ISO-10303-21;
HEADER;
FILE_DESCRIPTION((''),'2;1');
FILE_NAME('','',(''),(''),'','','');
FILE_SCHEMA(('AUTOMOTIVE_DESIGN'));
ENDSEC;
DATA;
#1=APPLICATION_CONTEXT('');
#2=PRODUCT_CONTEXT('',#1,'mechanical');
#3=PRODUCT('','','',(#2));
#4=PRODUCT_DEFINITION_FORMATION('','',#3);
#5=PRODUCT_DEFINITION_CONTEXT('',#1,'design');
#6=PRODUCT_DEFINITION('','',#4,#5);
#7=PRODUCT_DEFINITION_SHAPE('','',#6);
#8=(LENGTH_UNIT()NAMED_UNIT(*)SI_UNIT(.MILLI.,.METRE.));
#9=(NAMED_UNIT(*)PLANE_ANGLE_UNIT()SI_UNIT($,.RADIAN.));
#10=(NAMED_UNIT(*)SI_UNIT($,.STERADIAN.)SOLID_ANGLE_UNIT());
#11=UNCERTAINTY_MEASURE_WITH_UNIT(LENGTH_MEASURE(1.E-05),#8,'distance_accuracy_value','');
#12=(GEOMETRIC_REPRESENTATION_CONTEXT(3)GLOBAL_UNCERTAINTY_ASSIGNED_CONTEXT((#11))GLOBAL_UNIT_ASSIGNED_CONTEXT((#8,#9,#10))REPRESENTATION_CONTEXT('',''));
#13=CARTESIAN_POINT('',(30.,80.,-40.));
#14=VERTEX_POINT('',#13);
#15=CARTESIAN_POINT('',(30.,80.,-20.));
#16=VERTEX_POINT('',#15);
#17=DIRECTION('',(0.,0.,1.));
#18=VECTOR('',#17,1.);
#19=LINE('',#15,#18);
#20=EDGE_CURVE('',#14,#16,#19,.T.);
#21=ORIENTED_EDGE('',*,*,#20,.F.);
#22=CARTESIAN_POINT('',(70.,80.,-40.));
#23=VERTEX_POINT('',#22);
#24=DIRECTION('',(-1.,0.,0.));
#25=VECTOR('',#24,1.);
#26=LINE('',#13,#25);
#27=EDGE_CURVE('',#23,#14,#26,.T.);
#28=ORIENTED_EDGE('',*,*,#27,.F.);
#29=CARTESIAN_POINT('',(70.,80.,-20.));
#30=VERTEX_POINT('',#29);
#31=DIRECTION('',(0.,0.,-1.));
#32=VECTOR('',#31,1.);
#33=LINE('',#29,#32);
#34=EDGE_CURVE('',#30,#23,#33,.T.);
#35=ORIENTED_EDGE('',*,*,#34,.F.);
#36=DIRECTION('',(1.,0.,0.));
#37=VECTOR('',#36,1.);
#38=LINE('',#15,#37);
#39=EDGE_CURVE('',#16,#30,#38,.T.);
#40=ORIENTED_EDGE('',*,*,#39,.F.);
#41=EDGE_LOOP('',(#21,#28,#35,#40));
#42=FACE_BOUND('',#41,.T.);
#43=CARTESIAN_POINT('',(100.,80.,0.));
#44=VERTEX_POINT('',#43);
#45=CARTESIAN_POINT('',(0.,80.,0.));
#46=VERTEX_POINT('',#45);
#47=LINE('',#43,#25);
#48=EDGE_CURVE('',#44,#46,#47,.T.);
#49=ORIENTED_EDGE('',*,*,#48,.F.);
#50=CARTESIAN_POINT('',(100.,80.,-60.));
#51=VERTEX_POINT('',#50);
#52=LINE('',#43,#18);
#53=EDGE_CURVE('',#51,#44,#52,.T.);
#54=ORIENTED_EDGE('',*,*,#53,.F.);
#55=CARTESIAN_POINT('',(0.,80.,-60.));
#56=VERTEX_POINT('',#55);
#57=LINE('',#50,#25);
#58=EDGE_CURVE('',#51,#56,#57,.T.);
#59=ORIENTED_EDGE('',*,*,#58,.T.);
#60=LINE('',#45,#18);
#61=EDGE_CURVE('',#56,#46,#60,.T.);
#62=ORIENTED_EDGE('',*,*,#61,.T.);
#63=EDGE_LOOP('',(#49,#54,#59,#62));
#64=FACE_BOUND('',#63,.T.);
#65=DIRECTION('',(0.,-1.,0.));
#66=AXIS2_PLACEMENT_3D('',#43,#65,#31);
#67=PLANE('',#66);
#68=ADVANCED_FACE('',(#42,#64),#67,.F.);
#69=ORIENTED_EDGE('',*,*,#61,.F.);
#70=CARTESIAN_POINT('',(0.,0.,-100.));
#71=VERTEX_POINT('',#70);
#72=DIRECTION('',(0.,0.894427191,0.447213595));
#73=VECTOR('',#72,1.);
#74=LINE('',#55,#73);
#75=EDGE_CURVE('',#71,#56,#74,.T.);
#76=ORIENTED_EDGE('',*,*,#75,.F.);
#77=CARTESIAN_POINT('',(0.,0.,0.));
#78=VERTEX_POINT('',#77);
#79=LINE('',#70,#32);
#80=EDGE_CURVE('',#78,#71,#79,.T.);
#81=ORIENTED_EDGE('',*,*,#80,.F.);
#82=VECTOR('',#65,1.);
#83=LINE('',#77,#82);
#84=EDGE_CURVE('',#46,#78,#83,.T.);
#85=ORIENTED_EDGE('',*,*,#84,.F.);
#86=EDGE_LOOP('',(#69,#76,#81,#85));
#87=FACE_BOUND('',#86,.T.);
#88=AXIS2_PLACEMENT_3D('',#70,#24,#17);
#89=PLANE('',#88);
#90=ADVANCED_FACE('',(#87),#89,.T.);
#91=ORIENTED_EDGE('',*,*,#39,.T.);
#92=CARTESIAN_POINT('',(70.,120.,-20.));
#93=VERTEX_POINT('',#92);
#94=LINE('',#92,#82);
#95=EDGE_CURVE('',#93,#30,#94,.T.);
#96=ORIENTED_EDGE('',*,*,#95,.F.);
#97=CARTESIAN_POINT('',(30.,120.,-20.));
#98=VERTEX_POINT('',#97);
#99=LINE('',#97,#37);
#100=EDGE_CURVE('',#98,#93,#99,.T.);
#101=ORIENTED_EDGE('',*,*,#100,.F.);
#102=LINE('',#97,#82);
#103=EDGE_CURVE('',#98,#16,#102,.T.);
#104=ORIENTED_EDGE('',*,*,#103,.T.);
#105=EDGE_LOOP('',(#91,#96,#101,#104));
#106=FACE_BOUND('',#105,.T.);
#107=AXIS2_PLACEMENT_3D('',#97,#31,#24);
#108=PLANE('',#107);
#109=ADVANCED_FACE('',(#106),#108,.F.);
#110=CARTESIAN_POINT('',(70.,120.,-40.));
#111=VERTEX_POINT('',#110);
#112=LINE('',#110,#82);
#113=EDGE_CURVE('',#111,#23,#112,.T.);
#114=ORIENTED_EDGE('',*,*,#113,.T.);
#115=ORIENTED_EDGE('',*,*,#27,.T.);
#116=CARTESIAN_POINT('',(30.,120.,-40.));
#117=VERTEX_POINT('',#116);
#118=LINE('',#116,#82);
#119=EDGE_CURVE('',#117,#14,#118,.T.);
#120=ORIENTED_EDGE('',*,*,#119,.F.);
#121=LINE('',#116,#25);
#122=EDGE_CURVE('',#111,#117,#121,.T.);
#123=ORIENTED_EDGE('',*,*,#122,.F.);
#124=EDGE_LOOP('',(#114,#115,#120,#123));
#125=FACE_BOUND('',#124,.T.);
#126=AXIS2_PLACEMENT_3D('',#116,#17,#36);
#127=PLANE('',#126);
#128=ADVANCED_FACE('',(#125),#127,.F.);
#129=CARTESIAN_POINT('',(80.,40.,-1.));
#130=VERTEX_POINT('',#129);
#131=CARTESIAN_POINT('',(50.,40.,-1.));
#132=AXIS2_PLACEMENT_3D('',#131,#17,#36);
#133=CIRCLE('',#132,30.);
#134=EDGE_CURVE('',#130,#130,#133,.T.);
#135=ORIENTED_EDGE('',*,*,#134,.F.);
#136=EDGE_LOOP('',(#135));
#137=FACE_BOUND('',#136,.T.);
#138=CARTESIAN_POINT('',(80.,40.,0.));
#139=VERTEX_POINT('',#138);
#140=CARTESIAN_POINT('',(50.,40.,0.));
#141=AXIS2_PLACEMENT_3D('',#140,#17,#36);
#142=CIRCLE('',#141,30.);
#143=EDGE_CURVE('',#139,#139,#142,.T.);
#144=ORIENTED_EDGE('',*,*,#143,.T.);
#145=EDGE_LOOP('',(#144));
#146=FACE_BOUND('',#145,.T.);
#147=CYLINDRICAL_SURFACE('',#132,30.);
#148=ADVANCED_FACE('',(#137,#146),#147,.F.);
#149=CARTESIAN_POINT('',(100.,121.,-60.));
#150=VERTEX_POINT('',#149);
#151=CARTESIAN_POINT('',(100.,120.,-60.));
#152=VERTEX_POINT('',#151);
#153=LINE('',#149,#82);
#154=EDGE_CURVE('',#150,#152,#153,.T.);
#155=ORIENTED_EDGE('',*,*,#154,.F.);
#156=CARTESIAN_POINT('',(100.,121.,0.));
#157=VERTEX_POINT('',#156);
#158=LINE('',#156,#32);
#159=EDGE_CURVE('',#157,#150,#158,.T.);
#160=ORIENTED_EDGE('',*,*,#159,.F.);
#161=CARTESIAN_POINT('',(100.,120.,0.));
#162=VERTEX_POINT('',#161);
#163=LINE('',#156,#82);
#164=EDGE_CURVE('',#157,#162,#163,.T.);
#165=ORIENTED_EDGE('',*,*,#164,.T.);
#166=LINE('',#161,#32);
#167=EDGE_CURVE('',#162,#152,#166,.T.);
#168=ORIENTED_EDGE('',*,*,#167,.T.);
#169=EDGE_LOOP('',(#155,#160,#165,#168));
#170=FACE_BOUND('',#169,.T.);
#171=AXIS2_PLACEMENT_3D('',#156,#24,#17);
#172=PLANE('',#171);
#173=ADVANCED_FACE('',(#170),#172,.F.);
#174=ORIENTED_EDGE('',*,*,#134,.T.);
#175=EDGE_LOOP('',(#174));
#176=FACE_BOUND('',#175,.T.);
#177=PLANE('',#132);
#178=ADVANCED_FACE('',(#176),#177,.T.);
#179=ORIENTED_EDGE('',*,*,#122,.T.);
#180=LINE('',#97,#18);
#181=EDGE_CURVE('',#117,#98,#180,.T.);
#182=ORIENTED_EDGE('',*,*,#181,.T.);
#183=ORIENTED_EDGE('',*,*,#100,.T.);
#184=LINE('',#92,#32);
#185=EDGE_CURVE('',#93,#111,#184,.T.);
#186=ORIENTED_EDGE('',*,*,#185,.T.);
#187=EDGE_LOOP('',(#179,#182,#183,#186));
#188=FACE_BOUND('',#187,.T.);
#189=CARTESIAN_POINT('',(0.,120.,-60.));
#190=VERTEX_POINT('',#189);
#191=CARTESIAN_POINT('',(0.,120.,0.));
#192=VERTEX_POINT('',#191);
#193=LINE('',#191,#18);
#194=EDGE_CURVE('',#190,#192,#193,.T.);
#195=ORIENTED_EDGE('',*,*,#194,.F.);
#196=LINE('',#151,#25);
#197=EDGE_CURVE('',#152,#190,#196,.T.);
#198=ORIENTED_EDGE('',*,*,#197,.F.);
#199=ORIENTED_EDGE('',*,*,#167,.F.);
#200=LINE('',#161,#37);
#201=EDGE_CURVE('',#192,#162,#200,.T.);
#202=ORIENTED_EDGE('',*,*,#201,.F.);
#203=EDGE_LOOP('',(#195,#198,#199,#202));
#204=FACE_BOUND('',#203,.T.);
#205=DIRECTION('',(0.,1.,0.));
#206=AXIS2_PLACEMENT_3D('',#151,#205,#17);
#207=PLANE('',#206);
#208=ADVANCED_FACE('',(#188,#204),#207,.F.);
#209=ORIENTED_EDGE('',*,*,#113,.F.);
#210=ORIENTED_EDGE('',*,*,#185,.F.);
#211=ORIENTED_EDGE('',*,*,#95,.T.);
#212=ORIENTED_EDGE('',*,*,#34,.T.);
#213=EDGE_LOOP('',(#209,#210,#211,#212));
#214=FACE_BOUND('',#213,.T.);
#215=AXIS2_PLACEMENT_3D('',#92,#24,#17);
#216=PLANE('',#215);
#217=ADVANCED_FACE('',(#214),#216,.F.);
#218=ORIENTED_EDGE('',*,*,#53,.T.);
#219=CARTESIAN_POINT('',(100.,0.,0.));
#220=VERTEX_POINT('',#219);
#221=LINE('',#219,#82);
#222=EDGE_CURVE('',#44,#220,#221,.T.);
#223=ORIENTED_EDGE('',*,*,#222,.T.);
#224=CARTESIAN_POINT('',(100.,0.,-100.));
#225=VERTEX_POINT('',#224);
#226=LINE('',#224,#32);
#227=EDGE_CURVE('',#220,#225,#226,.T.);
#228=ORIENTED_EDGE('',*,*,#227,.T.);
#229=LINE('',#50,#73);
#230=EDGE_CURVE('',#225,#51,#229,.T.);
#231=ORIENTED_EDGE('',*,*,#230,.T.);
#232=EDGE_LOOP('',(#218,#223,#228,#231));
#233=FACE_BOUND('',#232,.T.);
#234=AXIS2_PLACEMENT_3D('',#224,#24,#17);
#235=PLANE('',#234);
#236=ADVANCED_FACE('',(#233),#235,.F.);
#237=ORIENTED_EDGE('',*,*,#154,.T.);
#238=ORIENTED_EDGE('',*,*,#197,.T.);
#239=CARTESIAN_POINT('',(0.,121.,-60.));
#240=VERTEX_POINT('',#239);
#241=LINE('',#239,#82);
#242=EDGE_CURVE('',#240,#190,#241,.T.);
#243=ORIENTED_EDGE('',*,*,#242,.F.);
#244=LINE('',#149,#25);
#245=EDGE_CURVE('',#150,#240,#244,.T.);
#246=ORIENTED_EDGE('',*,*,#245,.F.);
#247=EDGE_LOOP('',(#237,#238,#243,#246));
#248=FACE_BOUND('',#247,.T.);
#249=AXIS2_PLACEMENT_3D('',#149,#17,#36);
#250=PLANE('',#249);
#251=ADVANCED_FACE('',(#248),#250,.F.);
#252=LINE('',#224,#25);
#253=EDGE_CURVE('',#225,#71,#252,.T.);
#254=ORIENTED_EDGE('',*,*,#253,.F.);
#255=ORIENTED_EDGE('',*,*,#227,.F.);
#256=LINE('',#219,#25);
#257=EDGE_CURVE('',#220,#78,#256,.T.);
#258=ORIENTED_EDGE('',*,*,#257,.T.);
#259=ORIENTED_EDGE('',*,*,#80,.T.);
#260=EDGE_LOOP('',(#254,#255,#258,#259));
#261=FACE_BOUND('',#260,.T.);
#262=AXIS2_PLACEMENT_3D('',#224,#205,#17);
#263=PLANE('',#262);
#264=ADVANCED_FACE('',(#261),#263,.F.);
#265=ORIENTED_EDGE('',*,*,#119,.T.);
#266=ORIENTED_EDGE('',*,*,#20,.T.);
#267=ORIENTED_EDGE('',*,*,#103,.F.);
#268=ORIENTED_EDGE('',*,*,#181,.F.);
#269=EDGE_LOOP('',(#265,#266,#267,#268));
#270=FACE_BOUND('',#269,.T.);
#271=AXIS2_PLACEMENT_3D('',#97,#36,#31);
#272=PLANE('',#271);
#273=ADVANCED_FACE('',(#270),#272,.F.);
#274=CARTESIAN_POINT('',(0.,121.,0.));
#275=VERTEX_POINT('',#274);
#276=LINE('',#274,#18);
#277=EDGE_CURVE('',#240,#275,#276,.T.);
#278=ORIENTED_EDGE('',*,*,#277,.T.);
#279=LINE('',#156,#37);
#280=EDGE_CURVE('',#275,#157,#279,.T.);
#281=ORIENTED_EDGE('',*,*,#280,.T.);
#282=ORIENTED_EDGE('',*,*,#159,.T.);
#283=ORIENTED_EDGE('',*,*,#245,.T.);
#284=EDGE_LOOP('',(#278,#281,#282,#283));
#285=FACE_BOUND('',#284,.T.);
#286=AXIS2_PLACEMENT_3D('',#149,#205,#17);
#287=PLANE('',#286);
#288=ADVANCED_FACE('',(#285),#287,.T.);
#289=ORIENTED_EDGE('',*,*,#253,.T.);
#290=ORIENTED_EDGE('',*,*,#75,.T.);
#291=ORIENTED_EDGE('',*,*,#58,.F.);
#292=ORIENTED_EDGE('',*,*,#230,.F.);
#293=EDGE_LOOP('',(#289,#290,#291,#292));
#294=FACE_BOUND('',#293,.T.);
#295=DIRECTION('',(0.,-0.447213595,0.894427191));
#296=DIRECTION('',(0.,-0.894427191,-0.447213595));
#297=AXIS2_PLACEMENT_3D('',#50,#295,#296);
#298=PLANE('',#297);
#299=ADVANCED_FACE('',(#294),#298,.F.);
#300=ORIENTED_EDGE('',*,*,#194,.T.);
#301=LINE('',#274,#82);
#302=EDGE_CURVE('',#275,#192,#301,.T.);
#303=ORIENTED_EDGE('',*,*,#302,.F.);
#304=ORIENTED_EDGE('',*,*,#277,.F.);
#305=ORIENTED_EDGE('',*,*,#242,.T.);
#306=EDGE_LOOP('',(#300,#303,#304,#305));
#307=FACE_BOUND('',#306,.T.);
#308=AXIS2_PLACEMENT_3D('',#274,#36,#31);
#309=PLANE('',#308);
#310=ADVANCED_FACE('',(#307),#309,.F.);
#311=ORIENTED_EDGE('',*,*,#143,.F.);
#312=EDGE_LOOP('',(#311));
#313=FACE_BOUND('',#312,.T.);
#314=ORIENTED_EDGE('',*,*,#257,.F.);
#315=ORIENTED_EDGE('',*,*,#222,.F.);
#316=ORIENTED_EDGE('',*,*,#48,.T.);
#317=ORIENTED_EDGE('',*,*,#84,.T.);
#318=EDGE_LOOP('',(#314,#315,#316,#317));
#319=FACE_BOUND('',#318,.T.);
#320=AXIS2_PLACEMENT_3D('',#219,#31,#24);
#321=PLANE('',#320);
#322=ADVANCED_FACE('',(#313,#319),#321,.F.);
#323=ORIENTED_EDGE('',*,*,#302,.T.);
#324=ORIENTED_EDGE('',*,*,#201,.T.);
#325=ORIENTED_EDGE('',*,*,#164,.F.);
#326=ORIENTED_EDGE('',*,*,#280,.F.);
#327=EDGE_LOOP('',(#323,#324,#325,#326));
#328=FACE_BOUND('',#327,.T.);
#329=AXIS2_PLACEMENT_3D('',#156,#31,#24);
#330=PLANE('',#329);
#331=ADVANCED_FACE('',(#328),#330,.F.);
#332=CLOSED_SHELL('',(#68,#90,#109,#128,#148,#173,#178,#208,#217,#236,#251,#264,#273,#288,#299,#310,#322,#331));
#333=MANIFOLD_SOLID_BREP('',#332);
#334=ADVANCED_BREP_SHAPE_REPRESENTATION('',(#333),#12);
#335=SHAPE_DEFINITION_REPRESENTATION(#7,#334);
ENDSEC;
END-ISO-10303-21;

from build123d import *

# Parameters (mm, degrees)
EXTRUDE1_DEPTH     = 100
SKETCH2_R          = 30
CUT_EXTRUDE1_DEPTH = 1
SKETCH3_W          = 40
SKETCH3_H          = 20
EXTRUDE2_DEPTH     = 40
SKETCH4_W          = 100
SKETCH4_H          = 60
EXTRUDE3_DEPTH     = 1


with BuildPart() as part:
    # Sketch1 → Extrude1 (new body)
    with BuildSketch(Plane(origin=(0, 0, 0), x_dir=(0, 0, -1), z_dir=(1, 0, 0))):
        Polygon((100, 0), (0, 0), (0, 80), (60, 80), align=None)
    extrude(amount=EXTRUDE1_DEPTH)

    # Sketch2 → Cut-Extrude1 (cut)
    with BuildSketch(Plane.XY):
        with Locations((50, 40)):
            Circle(SKETCH2_R)
    extrude(amount=-CUT_EXTRUDE1_DEPTH, mode=Mode.SUBTRACT)

    # Sketch3 → Extrude2 (add)
    with BuildSketch(Plane(origin=(0, 80, 0), x_dir=(-1, 0, 0), z_dir=(0, 1, 0))):
        with Locations((-50, -30)):
            Rectangle(SKETCH3_W, SKETCH3_H)
    extrude(amount=EXTRUDE2_DEPTH)

    # Sketch4 → Extrude3 (add)
    with BuildSketch(Plane(origin=(0, 120, 0), x_dir=(-1, 0, 0), z_dir=(0, 1, 0))):
        with Locations((-50, -30)):
            Rectangle(SKETCH4_W, SKETCH4_H)
    extrude(amount=EXTRUDE3_DEPTH)


solid = part.part
